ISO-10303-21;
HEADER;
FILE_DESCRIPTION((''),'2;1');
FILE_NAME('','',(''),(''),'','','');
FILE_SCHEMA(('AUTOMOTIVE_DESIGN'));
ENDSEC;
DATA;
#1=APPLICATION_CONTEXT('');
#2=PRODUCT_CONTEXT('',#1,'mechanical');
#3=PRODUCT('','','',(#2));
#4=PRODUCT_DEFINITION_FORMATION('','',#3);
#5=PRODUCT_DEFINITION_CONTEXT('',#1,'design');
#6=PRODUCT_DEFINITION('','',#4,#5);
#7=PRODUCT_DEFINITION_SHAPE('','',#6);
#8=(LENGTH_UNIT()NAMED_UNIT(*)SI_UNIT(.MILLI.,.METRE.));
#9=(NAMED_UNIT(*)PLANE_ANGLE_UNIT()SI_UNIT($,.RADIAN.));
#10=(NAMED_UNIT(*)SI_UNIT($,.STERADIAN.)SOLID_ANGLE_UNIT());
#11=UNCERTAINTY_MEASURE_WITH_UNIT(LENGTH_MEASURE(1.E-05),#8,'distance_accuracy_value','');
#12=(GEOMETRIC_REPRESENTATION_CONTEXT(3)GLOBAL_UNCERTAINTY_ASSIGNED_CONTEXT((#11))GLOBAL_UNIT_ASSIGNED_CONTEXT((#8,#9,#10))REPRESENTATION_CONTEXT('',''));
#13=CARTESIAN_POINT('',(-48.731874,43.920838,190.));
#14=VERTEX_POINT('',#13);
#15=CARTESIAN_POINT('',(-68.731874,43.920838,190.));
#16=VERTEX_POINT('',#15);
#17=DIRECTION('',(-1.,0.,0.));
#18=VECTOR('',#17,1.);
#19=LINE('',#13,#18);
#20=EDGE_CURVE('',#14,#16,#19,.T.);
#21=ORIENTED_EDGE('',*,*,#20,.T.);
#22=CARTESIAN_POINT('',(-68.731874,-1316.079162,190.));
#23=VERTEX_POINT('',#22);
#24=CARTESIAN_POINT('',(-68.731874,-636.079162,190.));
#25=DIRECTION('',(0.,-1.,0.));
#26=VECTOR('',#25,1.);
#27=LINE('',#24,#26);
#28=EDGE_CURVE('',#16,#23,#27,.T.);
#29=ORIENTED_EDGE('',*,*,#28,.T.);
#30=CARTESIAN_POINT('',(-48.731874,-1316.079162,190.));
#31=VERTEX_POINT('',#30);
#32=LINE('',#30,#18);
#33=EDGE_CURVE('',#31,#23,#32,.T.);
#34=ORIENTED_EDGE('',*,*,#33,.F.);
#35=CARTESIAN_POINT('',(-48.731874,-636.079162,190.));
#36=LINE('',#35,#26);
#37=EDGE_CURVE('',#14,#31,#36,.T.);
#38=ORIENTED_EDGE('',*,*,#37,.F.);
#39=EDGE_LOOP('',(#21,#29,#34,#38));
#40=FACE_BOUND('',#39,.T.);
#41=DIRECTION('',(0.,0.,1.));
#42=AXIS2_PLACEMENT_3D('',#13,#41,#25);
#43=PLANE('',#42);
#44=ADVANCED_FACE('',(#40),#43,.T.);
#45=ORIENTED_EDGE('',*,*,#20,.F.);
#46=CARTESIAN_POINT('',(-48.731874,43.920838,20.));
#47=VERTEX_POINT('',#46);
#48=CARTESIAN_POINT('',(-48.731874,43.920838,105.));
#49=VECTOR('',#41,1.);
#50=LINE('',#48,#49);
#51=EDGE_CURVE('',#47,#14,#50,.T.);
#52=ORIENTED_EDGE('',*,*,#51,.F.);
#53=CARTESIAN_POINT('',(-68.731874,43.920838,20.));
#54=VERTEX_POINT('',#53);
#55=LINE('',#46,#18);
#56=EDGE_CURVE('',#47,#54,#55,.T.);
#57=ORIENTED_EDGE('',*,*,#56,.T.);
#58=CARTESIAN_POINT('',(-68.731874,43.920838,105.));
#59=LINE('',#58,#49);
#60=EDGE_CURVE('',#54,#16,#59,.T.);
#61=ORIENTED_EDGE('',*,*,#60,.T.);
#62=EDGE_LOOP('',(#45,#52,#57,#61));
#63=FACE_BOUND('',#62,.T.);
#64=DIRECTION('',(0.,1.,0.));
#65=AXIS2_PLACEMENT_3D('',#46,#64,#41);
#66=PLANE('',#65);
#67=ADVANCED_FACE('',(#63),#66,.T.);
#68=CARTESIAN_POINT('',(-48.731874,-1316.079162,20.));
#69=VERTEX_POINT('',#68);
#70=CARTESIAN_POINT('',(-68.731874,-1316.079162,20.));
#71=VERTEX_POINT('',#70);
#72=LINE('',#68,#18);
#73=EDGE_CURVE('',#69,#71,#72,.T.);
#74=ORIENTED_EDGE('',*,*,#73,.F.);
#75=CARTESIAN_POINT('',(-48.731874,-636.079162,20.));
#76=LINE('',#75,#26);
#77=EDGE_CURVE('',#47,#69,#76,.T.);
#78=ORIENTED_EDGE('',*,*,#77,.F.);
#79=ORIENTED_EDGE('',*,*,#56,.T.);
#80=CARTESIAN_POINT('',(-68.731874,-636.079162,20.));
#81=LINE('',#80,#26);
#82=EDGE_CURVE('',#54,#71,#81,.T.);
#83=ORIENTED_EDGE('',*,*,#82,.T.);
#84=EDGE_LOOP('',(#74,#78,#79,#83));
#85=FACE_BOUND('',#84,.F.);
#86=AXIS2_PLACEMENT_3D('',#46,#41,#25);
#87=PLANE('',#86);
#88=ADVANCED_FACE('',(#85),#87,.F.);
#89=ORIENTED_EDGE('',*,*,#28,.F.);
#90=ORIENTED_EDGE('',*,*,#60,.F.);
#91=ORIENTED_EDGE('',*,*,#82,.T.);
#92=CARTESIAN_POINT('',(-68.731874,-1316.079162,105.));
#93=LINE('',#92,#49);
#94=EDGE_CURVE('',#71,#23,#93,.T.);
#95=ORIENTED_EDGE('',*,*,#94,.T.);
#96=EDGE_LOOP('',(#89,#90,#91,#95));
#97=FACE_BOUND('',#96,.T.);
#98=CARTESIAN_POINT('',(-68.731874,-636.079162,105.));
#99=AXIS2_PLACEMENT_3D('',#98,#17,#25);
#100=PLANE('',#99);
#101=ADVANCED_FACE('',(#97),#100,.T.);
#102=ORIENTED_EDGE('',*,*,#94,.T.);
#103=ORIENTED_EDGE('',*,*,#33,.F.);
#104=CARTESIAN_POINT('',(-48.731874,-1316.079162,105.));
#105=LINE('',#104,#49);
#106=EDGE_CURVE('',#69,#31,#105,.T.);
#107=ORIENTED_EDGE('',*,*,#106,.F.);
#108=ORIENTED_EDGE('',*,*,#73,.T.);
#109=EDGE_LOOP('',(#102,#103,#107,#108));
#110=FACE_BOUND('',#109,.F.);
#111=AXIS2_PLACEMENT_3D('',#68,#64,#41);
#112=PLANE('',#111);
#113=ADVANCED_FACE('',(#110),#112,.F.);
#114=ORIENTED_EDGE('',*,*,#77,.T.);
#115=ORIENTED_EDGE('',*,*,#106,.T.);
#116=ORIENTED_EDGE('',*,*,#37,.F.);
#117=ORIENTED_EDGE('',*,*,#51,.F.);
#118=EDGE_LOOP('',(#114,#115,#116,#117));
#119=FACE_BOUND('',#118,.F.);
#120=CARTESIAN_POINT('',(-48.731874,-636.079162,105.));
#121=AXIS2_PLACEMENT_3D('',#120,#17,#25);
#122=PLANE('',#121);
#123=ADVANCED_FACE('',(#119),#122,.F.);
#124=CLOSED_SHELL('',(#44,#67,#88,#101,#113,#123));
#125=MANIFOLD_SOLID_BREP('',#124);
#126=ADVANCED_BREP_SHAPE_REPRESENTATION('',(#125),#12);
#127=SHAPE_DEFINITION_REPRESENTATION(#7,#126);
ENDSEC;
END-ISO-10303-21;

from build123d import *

# Parameters (mm, degrees)
F0_W     = 1360
F0_H     = 170
F1_DEPTH = 20
F2_ANGLE = 90
F3_ANGLE = 90


with BuildPart() as f1:
    # F0 (on Top) → F1 (new body)
    with BuildSketch(Plane.XY):
        with Locations((611.2681257427, 128.9208378189)):
            Rectangle(F0_W, F0_H)
    extrude(amount=F1_DEPTH)


with BuildPart() as f1_1:
    # F2: moved
    add(f1.part.rotate(Axis((-68.7318742573, 43.9208378189, 10), (0, 0, -1)), F2_ANGLE))


with BuildPart() as f1_2:
    # F3: moved
    add(f1_1.part.rotate(Axis((-68.7318742573, -636.0791621811, 20), (0, -1, 0)), F3_ANGLE))


solid = f1_2.part
